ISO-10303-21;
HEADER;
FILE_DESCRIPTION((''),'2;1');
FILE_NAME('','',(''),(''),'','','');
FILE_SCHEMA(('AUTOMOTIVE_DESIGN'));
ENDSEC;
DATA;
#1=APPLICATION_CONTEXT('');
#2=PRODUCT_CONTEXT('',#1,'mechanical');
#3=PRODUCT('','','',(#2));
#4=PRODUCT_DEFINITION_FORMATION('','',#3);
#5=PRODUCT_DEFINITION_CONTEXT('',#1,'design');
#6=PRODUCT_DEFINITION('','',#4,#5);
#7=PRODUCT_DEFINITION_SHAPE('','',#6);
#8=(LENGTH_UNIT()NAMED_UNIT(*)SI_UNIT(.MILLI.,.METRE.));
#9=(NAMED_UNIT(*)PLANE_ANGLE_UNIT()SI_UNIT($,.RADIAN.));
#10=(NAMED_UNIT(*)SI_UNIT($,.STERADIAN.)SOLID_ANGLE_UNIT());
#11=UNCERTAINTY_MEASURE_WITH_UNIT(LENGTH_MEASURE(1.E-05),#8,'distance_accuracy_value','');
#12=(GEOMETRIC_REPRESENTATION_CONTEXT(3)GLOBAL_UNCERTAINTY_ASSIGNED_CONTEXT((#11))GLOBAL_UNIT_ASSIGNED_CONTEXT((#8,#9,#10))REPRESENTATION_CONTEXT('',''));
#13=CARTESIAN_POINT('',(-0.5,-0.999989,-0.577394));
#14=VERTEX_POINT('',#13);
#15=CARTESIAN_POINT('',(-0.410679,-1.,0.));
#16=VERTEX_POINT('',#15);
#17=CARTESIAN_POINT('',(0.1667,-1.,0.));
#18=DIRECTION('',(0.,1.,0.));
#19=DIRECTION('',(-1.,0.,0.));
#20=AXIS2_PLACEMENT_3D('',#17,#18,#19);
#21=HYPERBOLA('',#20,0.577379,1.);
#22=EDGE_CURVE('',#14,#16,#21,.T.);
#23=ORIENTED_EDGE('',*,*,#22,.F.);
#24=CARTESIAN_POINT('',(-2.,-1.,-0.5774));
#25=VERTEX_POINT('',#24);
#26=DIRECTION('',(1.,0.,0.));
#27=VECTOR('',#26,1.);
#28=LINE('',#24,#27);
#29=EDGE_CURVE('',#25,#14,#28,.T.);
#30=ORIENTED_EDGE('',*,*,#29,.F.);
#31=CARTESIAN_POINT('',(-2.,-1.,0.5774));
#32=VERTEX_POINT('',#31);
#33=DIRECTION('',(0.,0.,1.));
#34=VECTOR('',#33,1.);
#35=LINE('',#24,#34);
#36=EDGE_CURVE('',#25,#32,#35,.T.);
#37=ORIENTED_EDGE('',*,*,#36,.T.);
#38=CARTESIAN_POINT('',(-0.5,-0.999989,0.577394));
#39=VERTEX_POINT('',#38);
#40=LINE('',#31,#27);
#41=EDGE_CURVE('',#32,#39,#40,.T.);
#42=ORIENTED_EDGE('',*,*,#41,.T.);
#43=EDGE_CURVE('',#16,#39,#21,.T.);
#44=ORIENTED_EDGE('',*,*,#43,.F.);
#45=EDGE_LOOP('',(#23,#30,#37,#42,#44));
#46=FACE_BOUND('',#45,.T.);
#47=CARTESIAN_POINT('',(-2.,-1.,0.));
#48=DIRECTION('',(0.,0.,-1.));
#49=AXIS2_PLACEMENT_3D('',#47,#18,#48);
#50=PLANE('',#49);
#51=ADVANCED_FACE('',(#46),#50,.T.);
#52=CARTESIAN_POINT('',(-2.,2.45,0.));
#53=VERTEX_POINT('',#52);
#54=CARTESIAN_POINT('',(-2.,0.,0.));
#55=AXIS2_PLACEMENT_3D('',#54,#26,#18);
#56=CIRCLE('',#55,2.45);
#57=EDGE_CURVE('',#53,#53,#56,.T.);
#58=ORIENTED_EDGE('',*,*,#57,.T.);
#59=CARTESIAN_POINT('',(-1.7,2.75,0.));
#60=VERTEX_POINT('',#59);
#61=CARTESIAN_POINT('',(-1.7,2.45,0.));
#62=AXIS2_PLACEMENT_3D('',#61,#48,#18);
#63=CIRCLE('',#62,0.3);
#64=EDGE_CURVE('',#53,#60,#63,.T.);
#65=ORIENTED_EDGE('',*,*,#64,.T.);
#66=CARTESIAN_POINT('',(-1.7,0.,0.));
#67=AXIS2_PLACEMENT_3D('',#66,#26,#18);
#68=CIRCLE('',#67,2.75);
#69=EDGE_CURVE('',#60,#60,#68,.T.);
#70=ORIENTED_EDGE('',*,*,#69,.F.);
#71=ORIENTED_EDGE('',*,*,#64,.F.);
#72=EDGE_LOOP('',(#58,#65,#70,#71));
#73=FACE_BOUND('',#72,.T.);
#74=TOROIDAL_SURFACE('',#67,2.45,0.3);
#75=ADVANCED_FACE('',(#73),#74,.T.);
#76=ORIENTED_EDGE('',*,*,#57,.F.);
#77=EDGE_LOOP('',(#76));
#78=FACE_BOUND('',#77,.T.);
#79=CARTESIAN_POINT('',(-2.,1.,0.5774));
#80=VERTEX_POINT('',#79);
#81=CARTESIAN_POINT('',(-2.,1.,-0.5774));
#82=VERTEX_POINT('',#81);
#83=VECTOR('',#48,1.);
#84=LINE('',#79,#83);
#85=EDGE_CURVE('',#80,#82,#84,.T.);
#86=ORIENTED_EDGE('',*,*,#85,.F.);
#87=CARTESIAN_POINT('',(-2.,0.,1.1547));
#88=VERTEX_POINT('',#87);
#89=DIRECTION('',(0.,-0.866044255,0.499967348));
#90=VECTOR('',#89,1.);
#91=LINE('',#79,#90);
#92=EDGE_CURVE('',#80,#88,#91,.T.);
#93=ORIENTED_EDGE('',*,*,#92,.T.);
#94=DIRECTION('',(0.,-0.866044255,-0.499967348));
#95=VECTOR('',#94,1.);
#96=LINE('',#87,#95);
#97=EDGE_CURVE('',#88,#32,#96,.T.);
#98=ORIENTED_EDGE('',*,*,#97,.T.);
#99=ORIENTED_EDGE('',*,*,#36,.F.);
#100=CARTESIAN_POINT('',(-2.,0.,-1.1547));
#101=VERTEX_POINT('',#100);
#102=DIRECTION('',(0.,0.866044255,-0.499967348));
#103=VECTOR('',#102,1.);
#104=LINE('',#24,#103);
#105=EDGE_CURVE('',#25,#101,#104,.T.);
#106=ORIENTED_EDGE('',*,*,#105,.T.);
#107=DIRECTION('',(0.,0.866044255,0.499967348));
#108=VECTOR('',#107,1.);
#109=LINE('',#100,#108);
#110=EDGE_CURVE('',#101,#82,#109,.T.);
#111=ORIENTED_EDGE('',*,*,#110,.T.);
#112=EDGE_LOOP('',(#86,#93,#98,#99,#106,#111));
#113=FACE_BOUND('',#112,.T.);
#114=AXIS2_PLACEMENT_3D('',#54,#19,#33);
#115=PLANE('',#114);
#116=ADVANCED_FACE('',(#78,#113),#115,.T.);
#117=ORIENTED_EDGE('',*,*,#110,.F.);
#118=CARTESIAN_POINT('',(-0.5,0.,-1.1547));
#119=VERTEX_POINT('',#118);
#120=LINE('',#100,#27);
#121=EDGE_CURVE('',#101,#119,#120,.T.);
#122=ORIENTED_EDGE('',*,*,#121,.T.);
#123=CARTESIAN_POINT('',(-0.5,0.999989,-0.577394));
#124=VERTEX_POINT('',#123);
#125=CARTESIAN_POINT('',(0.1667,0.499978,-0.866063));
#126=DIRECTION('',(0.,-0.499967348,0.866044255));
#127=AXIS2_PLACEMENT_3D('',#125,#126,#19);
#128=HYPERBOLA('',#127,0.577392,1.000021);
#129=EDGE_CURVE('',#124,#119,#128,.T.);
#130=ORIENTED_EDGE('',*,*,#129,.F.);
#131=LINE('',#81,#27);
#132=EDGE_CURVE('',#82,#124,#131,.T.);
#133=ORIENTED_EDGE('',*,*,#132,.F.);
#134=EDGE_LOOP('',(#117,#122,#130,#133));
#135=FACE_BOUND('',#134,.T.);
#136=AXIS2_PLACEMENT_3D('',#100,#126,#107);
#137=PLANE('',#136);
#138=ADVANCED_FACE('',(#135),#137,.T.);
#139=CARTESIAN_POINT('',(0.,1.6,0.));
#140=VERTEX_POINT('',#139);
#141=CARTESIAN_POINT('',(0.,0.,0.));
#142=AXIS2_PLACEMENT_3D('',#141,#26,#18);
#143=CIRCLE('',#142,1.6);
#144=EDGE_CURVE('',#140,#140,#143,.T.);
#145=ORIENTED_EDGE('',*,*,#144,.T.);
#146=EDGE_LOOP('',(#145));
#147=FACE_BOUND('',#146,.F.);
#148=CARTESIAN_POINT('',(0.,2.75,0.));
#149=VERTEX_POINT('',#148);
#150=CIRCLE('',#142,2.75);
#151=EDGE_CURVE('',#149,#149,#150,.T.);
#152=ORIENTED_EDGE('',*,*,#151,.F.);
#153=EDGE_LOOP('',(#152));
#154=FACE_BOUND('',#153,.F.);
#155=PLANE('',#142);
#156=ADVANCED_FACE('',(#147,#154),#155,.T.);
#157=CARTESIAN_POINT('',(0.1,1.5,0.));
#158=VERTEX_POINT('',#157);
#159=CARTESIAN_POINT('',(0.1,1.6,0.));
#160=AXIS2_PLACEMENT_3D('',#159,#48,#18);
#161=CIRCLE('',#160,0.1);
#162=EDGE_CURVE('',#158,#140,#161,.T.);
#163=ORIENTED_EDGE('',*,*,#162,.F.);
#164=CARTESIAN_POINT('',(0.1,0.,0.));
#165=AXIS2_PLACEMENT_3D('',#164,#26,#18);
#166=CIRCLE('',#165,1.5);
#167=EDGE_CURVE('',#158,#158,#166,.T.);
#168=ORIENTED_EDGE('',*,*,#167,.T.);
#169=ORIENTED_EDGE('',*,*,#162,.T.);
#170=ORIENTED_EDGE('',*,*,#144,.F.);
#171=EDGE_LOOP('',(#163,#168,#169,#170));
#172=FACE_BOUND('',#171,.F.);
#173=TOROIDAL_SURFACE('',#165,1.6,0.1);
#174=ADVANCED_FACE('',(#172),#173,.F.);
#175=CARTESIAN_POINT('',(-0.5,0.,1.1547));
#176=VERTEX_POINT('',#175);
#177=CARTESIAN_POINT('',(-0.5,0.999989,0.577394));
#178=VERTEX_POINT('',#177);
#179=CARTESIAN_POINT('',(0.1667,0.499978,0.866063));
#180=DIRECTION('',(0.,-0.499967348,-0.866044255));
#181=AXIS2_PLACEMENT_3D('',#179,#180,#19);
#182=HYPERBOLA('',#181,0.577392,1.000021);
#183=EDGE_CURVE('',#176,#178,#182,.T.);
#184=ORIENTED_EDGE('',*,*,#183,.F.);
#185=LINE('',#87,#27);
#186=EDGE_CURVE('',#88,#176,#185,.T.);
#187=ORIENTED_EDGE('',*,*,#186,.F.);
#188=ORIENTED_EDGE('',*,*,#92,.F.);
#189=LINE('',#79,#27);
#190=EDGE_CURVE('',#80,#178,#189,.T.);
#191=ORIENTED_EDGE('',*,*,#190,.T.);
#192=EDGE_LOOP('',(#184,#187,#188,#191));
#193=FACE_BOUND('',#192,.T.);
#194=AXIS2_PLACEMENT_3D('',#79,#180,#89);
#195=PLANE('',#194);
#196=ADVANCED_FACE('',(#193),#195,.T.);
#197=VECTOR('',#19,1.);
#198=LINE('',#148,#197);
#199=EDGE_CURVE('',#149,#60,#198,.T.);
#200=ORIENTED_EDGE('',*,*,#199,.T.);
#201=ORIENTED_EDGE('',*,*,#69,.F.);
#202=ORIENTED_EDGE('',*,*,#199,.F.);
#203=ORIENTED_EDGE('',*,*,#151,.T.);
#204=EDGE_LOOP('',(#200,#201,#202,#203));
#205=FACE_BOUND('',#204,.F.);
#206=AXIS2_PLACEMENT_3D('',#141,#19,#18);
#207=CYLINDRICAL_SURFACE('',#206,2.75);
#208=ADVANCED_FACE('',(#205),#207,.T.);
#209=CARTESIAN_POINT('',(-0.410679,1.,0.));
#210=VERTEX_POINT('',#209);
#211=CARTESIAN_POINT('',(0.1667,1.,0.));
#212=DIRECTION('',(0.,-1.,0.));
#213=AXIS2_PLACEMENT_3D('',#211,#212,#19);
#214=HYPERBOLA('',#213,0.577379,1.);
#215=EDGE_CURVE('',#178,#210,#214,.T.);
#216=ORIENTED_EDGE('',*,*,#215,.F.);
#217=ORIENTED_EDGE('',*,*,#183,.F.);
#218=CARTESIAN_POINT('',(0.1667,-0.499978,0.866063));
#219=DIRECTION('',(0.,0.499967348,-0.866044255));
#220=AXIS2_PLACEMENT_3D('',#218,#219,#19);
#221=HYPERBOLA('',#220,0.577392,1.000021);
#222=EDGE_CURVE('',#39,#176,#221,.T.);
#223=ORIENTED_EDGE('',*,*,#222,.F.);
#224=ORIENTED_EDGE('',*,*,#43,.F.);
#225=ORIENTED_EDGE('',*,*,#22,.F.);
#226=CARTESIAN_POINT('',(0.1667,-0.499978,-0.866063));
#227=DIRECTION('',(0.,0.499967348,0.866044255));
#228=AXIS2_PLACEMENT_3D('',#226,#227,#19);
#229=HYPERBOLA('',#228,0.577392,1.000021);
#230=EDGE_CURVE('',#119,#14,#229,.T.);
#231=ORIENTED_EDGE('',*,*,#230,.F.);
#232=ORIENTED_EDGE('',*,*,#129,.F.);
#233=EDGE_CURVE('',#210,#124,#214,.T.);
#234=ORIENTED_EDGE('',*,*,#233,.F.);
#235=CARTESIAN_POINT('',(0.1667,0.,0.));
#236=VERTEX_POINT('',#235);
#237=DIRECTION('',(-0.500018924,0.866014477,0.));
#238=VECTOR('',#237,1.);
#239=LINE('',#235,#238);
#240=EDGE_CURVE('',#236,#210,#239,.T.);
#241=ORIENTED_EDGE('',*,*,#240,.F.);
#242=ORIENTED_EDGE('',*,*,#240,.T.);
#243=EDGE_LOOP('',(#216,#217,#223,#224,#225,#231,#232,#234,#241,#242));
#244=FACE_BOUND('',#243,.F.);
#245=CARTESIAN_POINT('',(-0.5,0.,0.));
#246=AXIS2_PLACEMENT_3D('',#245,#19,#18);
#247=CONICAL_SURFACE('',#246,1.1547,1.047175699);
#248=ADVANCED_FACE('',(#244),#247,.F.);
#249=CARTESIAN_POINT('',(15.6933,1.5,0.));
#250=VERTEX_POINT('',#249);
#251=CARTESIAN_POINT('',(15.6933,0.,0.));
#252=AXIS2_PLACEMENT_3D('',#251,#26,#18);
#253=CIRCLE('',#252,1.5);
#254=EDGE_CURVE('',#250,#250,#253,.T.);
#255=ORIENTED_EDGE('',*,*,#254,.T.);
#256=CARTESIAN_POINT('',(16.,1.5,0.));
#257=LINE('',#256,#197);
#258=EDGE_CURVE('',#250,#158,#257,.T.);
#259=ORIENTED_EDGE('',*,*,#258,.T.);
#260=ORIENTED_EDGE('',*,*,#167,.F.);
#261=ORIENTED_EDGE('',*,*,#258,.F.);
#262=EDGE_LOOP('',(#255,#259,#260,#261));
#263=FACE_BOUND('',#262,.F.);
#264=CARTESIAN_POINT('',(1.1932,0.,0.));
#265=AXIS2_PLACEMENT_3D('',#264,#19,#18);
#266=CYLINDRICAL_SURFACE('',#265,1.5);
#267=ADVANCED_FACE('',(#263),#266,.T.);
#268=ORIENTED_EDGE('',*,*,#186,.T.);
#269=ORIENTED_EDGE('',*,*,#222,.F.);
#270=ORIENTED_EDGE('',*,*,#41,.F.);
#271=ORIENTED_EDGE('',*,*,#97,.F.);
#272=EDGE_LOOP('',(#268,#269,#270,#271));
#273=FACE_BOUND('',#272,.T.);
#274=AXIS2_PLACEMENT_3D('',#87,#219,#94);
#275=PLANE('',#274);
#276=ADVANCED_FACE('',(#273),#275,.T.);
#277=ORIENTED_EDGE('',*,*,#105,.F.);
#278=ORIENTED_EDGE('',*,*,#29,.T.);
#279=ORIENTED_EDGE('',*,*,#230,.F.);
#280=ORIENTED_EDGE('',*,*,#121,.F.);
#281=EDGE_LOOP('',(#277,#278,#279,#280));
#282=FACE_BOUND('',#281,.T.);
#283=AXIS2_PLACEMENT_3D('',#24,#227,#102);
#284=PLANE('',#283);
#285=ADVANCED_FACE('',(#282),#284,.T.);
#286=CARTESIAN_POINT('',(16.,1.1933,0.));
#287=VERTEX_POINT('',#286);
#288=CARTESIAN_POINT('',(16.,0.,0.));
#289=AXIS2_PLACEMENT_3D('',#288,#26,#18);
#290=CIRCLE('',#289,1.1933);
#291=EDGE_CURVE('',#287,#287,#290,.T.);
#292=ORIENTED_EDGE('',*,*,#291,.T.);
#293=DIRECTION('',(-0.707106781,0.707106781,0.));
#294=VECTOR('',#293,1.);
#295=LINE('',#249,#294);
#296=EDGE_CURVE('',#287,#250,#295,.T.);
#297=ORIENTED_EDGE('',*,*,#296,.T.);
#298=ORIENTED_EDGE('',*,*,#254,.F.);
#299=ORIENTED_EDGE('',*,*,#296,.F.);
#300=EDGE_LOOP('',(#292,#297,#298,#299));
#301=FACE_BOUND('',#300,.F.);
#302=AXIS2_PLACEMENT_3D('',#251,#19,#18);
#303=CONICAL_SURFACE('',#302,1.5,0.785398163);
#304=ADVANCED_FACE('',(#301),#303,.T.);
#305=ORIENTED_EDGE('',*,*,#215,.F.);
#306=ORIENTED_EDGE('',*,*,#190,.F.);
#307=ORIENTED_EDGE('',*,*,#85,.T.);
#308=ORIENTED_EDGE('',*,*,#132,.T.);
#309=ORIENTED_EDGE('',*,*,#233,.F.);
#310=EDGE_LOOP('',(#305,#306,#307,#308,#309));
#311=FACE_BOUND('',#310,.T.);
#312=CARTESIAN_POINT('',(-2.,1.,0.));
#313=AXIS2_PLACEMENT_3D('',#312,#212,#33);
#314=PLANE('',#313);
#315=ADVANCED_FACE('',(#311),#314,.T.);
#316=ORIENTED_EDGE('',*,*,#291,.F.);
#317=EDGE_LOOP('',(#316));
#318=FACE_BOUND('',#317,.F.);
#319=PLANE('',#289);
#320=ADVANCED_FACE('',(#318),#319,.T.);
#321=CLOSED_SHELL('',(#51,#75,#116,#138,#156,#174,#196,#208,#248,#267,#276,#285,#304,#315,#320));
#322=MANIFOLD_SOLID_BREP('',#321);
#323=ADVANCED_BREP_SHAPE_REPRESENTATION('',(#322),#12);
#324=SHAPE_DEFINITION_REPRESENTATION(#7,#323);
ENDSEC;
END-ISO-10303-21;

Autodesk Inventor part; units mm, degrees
ref_plane "YZ Plane" through (0, 0, 0) normal (1, 0, 0) x (0, 1, 0)
ref_plane "XZ Plane" through (0, 0, 0) normal (0, 1, 0) x (-1, 0, 0)
sketch "Skizze1" plane through (0, 0, 0) normal (0, 0, 1) x (1, 0, 0)
  line L0 (0.1667, 0) -> (16, 0)
  line L1 (16, 0) -> (16, 1.5)
  line L2 (16, 1.5) -> (1.5, 1.5)
  line L3 (1.5, 1.5) -> (1.1932, 1.5)
  line L4 (1.1932, 1.5) -> (0, 1.5)
  line L5 (0, 1.5) -> (0, 2.75)
  line L6 (0, 2.75) -> (-2, 2.75)
  line L7 (-2, 2.75) -> (-2, 1.1547)
  line L8 (-2, 1.1547) -> (-0.5, 1.1547)
  line L9 (-0.5, 1.1547) -> (0.1667, 0)
  line L10 (-5.6, 0) -> (19.6, 0) projected
  line L11 (0, -0.55) -> (0, 3.3) projected
  line L12 (1.5, 1.5) -> (0, 1.5) construction
  dimension "d1" = 14.5
  dimension "d2" = 0.3068
  dimension "d3" = 2
  dimension "d4" = 1.5
  dimension "d5" = 60
  dimension "d6" = 3
  dimension "d7" = 3
  dimension "d8" = 2.3094
  dimension "d9" = 5.5
  dimension "d26" = 16
revolve "Körper" add sketch "Skizze1" angle 360 about axis through (0.1667, 0, 0) along (1, 0, 0) contours L9 L11 L4 L3 L2 L1 L0 | L9 L8 L7 L6 L5 L11
sketch "Skizze2" plane through (-2, 0, 0) normal (-1, 0, 0) x (0, 0, 1)
  circle A0 centre (0, 0) radius 1.1547 projected
  line L0 (0, -3.85) -> (0, 3.85) projected
  line L1 (-3.85, 0) -> (3.85, 0) projected
  line L2 (1.1547, 0) -> (0.5774, -1)
  line L3 (0.5774, -1) -> (-0.5774, -1)
  line L4 (-0.5774, -1) -> (-1.1547, 0)
  line L5 (-1.1547, 0) -> (-0.5774, 1)
  line L6 (-0.5774, 1) -> (0.5774, 1)
  line L7 (0.5774, 1) -> (1.1547, 0)
  point P0 (0, 0)
extrude "Loch" add sketch "Skizze2" against normal up to next contours L7 A0 | A0 L2 | L6 L0 A0 | A0 L0 L3 | L0 L6 A0 | A0 L3 L0 | L4 A0 | A0 L5
fillet "Rundung1" radius 0.3 1 edges at (-2, -2.75, 0)
thread "Gewinde" size "M3x0.5" class "6g" standard "ISO Metric profile" length 14.5
chamfer "Fase1" distance 0.3067 distance2 0.3067 1 edges at (16, -1.5, 0) measured on face at (16, -0.4645, -0.4115)
ref_plane "Work Plane1" through (29, 0, 0) normal (0, -1, 0) x (1, 0, 0)
fillet "Fillet2" radius 0.1 1 edges at (0, -1.5, 0)
equation "\"d1\" = GEL"
equation "\"d3\" = KOH"
equation "\"d4\" = INTI"
equation "\"d6\" = GD"
equation "\"d7\" = BDM"
equation "\"d8\" = 1.1547 * SW"
equation "\"d9\" = KOD"
equation "\"d26\" = NLG"
equation "\"d30\" = R"
equation "\"d17\" = RR"
equation "\"d13\" = GEL"
equation "\"d15\" = -0.5 * SPD + 0.5 * GD"
equation "\"d16\" = GUL"
equation "\"GD\" = NND"
equation "\"NLG\" = 16"
equation "\"GEL\" = 14.5"
equation "\"KOD\" = 5.5"
equation "\"KOH\" = 2"
equation "\"INTI\" = 1.5"
equation "\"GAL\" = 0.61345 * PTC"
equation "\"GUL\" = 0.61345 * PTC"
equation "\"BDM\" = NND"
equation "\"SW\" = 2"
equation "\"RR\" = 0.3"
equation "\"SPD\" = NND - 1.2269 * PTC"
equation "\"R\" = 0.1"
equation "\"TOA\" = 30deg"
equation "\"GD1\" = THREADDIA - 1.2269 * PTC"
equation "\"THREADDIA\" = 3"
equation "\"FAWI\" = 45deg"
equation "\"ANG\" = 120deg"
equation "\"PTC\" = 0.5"
equation "\"NND\" = 3"
equation "\"E0\" = 1.155 * SW"
properties part number "DIN 7984 - M3 x 16" material "Stahl, weich"
